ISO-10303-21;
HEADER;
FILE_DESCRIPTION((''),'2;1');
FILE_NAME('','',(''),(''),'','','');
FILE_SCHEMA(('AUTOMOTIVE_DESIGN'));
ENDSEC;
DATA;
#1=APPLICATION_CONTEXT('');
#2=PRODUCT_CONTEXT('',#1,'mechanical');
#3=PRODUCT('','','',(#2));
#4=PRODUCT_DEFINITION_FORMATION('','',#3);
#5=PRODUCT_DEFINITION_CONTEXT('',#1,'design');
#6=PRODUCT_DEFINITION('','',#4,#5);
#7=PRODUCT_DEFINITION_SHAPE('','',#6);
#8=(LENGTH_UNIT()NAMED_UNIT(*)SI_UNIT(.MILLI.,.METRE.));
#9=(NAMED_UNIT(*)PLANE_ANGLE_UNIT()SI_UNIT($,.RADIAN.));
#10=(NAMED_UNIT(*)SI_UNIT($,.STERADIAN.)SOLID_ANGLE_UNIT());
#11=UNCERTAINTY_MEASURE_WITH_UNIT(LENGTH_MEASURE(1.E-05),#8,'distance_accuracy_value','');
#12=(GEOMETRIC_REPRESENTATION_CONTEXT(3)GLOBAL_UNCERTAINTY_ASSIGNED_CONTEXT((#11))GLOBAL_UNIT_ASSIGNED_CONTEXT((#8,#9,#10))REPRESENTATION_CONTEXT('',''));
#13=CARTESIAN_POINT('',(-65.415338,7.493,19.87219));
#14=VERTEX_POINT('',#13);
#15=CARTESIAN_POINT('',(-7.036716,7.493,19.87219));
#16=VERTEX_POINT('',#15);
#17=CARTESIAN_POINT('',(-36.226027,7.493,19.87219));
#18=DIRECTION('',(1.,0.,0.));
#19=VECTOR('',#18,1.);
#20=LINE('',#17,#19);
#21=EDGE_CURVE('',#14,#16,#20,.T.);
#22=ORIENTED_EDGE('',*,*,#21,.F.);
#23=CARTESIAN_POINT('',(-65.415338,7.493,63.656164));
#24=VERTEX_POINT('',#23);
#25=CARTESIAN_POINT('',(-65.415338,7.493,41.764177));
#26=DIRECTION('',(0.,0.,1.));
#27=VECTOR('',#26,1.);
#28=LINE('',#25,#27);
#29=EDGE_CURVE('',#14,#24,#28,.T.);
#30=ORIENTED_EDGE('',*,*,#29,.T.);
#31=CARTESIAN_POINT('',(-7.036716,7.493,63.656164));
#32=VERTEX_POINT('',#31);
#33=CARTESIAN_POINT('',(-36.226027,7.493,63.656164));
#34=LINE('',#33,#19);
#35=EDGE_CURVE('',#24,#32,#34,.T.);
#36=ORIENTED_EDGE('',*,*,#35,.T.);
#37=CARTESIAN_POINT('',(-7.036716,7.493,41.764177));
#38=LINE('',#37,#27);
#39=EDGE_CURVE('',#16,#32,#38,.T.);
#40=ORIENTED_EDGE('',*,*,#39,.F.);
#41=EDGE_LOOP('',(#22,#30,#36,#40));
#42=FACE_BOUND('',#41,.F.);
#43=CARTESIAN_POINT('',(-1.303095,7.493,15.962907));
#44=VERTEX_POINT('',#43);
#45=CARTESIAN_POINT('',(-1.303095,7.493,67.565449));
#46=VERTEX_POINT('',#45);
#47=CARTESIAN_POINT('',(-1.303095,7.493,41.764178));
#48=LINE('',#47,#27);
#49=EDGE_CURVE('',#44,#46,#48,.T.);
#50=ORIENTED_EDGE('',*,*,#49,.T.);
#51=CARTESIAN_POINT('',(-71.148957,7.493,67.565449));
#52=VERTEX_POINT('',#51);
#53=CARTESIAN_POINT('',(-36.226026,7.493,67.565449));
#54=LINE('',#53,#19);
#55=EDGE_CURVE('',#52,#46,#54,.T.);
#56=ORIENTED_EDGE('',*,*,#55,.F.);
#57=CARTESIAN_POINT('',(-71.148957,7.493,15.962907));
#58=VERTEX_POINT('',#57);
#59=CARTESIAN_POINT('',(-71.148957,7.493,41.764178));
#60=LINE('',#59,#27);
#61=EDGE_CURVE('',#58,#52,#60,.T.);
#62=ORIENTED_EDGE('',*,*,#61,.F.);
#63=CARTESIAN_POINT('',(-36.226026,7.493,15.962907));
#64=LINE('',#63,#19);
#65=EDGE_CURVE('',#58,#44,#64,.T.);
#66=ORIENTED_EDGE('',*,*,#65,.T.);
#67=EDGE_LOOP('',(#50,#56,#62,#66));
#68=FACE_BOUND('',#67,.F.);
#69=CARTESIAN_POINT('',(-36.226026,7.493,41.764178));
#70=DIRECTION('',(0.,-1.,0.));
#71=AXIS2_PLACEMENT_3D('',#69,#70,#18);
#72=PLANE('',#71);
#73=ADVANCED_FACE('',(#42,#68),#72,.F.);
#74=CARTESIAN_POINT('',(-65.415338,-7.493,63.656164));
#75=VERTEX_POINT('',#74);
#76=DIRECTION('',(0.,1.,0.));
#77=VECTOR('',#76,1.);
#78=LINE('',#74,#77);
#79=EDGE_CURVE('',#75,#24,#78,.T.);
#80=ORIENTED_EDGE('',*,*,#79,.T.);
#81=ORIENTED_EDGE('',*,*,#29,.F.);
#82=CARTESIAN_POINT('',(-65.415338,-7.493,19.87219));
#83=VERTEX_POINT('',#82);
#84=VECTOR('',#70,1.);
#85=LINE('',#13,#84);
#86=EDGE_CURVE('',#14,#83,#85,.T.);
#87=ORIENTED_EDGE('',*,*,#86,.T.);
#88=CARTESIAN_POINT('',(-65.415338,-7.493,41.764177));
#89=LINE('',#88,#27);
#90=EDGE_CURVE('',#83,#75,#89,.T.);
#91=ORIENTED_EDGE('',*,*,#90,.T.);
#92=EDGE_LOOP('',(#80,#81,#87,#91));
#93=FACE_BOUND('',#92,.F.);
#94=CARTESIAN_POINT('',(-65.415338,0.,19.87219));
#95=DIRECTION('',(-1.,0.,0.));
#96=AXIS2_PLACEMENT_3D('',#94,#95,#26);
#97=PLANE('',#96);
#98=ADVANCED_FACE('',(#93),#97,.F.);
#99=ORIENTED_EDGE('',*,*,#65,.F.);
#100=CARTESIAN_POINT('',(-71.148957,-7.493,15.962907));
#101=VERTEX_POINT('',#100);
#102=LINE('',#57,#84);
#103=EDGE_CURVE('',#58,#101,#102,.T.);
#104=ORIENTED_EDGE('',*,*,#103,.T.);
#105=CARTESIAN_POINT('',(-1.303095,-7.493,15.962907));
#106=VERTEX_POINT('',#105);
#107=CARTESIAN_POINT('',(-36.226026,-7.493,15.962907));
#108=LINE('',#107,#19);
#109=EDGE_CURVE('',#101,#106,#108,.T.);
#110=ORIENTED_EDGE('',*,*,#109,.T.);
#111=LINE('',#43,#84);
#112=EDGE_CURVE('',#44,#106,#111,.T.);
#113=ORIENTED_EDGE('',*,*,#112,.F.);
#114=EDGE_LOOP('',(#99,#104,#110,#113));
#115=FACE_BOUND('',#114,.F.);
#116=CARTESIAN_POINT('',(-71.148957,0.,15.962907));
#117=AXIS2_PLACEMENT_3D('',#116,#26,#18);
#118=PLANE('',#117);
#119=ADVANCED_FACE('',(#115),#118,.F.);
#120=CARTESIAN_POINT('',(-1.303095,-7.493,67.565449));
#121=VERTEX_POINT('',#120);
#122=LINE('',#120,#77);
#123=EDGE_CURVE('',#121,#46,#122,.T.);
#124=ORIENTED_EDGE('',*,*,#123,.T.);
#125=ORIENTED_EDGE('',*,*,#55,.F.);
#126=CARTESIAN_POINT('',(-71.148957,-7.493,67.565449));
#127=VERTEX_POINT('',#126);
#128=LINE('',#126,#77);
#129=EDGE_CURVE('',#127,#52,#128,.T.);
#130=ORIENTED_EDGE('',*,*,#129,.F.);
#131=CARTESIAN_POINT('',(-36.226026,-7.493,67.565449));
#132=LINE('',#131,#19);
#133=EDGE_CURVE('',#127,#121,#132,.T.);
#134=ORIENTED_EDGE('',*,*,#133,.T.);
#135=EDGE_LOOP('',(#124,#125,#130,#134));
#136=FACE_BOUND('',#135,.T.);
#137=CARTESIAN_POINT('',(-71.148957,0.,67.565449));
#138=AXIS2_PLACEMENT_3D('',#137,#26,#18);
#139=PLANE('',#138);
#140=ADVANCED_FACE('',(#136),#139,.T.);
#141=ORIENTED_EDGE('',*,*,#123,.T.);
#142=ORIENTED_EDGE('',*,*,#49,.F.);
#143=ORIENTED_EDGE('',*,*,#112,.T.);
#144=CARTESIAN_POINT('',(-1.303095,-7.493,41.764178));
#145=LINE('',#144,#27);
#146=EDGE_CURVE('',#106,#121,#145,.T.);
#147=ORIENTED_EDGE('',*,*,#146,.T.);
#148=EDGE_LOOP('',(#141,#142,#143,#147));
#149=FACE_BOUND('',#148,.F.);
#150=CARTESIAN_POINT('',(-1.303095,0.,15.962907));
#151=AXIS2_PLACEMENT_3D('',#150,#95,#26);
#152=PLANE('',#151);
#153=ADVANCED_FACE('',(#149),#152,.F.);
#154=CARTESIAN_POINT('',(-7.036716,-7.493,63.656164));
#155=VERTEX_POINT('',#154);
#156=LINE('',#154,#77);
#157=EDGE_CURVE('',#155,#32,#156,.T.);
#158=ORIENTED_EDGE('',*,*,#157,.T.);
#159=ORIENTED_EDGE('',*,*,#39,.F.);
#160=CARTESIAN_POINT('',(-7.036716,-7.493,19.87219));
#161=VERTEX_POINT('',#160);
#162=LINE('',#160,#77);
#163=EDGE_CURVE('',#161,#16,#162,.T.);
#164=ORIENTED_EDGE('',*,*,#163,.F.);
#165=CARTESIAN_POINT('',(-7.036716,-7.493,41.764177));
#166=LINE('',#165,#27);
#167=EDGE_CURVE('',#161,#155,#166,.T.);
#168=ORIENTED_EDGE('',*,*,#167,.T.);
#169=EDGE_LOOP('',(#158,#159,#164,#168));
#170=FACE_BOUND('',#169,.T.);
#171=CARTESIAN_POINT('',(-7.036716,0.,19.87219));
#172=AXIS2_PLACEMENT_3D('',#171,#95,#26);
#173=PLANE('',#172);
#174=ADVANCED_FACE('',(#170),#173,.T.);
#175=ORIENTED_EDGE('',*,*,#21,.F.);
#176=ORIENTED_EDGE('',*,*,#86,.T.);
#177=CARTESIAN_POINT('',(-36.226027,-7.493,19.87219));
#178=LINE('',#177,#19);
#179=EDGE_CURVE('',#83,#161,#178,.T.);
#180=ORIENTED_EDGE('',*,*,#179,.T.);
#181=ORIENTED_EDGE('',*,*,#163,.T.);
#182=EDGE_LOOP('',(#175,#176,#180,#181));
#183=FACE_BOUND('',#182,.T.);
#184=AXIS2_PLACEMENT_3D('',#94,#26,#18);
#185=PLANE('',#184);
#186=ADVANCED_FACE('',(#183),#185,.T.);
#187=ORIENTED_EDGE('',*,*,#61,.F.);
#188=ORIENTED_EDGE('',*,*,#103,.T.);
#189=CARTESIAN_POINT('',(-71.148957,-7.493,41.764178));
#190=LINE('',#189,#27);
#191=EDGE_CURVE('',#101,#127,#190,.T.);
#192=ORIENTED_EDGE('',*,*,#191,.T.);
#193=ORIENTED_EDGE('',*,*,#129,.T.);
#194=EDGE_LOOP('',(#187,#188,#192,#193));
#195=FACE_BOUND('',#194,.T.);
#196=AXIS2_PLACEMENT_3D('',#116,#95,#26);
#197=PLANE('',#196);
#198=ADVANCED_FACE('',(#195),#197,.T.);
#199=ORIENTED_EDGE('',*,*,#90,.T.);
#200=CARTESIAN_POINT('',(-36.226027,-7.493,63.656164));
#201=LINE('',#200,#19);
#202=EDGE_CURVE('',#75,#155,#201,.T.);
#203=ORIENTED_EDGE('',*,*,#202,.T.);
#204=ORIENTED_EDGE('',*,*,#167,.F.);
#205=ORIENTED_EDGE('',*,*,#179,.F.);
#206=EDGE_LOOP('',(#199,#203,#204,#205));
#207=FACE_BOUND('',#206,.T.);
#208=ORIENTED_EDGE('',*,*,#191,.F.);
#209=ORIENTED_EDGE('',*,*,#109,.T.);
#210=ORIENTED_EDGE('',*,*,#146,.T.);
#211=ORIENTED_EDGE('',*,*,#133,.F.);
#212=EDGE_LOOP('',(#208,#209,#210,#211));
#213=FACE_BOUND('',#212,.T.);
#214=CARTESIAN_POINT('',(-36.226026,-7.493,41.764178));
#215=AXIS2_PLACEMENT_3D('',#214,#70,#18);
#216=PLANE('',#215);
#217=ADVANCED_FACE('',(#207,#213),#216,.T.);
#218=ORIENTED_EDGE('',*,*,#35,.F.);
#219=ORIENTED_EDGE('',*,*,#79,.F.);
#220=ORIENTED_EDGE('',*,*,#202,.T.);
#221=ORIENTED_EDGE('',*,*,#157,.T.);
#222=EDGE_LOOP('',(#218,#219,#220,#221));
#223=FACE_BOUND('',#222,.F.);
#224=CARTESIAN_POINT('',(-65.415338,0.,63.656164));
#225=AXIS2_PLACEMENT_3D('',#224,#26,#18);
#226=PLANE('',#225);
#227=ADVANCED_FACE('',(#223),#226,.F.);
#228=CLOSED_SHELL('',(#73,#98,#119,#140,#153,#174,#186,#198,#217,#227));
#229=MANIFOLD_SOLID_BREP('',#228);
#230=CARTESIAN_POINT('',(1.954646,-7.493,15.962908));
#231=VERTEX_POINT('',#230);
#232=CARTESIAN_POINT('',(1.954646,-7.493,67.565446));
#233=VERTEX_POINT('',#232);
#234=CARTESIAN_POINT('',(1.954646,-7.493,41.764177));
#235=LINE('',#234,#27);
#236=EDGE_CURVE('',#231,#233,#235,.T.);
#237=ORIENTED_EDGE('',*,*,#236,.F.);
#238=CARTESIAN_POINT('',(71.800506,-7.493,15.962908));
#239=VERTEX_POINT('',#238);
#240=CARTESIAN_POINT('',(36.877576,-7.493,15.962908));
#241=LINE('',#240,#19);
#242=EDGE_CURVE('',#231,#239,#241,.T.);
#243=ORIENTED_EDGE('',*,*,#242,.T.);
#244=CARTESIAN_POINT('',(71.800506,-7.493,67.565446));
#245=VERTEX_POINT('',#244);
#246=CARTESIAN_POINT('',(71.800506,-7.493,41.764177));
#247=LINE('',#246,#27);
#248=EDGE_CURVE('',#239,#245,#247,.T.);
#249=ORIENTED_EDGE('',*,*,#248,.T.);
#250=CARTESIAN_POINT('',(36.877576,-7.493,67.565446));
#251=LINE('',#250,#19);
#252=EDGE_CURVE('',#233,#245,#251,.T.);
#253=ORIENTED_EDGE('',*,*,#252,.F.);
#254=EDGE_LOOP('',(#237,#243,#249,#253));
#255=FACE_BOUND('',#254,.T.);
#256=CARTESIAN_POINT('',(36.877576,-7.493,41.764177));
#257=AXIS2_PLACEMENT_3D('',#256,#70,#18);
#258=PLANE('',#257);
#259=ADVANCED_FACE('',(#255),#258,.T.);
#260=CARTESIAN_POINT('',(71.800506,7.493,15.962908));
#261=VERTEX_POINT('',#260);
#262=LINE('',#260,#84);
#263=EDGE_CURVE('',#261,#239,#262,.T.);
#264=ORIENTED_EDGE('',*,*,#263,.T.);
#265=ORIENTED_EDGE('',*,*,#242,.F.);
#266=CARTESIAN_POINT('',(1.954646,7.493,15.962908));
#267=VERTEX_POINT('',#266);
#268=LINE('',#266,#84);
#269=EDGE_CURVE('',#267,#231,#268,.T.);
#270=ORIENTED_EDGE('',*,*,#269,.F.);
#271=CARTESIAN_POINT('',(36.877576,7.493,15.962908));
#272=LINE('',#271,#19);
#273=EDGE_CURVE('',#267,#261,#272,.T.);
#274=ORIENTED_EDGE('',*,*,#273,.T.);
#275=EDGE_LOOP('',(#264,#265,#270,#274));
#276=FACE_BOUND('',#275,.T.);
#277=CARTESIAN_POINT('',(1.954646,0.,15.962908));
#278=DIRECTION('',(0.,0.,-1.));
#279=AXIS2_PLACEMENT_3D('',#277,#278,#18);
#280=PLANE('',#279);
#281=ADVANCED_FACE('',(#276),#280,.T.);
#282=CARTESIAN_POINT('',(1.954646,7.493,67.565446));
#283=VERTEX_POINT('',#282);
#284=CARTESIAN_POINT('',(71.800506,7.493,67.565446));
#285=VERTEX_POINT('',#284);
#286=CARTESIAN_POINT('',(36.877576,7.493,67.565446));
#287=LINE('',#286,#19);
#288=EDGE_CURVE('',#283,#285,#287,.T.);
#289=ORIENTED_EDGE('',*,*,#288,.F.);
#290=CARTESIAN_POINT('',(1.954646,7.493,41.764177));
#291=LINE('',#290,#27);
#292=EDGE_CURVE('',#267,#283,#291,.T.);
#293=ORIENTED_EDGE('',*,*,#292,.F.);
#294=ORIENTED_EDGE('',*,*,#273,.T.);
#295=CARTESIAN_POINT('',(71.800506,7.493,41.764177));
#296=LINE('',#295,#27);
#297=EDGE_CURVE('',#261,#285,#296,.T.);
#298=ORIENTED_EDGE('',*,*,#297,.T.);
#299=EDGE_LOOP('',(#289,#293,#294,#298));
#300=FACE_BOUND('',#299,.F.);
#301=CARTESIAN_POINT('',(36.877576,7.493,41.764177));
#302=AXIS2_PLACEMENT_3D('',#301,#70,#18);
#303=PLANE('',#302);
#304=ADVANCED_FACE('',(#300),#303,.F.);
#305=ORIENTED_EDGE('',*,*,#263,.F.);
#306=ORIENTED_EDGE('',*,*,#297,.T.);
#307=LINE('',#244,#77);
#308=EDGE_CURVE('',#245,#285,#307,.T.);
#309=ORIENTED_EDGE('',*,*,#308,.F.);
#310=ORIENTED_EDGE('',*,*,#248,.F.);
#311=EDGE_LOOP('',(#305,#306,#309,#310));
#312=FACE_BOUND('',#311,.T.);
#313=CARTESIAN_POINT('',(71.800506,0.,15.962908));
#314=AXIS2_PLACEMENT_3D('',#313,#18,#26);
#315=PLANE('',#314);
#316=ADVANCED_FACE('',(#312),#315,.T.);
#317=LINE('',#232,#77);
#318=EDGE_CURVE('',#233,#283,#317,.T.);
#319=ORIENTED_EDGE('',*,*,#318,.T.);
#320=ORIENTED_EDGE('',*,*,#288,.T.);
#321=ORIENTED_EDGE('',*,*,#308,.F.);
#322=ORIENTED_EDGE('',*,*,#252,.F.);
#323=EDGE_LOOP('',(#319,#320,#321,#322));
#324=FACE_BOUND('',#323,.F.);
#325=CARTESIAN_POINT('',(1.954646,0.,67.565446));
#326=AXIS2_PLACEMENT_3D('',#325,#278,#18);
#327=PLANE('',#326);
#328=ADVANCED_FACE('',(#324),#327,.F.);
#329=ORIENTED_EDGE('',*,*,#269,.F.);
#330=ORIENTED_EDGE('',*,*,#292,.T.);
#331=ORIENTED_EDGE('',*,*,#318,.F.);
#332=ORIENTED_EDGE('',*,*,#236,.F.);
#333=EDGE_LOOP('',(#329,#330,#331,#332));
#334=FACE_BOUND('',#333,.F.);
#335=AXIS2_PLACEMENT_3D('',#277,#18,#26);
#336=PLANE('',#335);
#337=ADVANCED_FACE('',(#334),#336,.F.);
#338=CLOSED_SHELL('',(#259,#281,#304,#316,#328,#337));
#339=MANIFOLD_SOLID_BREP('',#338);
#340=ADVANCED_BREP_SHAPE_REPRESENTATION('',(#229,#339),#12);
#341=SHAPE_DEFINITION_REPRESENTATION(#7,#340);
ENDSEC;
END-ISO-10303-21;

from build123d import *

# Parameters (mm, degrees)
F0_W     = 69.845863
F0_H     = 51.602543
F0_W_2   = 58.378622
F0_H_2   = 43.783974
F0_W_3   = 69.84586
F0_H_3   = 51.602539
F1_DEPTH = 7.493


with BuildPart() as f1:
    # F0 (on Front) → F1 (new body, symmetric)
    with BuildSketch(Plane.XZ):
        with Locations((-36.226026, 41.764178)):
            Rectangle(F0_W, F0_H)
        with Locations((-36.226027, 41.764177)):
            Rectangle(F0_W_2, F0_H_2, mode=Mode.SUBTRACT)
        with Locations((36.877576, 41.764177)):
            Rectangle(F0_W_3, F0_H_3)
    extrude(amount=F1_DEPTH, both=True)


solid = f1.part
